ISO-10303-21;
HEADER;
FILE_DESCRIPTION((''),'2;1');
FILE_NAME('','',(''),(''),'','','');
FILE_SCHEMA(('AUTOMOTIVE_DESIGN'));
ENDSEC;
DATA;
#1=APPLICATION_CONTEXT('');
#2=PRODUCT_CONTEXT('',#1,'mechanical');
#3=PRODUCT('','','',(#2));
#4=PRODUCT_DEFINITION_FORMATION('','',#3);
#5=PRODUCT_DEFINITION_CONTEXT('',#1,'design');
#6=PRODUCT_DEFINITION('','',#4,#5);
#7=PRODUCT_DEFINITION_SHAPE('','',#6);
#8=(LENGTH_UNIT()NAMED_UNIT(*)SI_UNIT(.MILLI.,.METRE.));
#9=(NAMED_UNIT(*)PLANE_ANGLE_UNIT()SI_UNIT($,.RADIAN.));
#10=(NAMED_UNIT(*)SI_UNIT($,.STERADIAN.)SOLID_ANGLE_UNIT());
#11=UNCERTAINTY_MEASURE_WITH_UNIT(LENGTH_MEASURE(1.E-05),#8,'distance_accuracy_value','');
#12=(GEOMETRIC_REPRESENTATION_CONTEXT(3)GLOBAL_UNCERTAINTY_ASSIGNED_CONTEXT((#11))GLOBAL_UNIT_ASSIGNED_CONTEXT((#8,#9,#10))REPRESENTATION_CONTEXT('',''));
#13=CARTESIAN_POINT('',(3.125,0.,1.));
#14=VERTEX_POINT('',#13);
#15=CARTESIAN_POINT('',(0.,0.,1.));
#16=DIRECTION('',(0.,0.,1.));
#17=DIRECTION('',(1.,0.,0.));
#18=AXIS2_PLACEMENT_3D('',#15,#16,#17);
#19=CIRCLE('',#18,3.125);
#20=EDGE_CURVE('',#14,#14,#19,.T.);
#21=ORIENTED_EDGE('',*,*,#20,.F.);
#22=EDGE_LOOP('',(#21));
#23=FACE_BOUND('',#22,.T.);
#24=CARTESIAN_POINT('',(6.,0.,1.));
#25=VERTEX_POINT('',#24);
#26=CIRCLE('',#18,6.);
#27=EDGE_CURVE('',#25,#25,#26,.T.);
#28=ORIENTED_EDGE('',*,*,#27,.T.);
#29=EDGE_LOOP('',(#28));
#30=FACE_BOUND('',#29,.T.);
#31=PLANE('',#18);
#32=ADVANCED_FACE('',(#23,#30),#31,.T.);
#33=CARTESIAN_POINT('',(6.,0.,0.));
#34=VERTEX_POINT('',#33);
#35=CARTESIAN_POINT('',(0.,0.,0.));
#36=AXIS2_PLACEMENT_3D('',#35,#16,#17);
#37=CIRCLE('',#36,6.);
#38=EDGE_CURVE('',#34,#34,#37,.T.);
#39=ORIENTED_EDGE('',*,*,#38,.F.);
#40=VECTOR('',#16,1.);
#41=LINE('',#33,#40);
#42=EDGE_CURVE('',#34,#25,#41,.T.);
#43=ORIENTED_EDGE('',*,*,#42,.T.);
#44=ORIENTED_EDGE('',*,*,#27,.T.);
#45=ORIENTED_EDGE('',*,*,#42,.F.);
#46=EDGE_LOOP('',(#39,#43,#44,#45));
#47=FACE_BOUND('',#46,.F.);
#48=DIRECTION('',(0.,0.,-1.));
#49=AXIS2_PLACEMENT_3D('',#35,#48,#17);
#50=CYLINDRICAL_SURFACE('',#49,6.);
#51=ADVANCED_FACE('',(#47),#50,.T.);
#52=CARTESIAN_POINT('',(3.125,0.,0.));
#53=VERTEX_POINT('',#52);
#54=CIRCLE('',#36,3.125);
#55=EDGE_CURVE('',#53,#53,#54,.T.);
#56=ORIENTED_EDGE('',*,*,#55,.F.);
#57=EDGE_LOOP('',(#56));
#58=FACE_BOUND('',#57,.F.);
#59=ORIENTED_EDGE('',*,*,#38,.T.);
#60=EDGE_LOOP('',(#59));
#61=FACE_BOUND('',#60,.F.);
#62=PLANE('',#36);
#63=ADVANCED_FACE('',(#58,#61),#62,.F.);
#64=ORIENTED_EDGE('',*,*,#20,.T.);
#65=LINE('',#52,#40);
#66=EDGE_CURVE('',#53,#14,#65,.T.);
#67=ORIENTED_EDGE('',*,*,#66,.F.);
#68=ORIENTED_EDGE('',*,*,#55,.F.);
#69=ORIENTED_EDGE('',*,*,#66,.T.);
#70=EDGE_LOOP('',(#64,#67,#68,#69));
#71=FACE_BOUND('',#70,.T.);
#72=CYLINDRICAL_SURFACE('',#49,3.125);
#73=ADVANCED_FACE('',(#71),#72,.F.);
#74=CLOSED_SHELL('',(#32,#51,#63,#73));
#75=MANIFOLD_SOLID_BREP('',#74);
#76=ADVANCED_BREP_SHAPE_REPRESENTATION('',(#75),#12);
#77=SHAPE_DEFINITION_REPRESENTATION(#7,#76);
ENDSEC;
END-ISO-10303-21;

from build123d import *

# Parameters (mm, degrees)
SKETCH1_R           = 6
SKETCH1_R_2         = 3.125
BOSS_EXTRUDE1_DEPTH = 1


with BuildPart() as part:
    # Sketch1 → Boss-Extrude1 (new body)
    with BuildSketch(Plane.XY):
        Circle(SKETCH1_R)
        Circle(SKETCH1_R_2, mode=Mode.SUBTRACT)
    extrude(amount=BOSS_EXTRUDE1_DEPTH)


solid = part.part
